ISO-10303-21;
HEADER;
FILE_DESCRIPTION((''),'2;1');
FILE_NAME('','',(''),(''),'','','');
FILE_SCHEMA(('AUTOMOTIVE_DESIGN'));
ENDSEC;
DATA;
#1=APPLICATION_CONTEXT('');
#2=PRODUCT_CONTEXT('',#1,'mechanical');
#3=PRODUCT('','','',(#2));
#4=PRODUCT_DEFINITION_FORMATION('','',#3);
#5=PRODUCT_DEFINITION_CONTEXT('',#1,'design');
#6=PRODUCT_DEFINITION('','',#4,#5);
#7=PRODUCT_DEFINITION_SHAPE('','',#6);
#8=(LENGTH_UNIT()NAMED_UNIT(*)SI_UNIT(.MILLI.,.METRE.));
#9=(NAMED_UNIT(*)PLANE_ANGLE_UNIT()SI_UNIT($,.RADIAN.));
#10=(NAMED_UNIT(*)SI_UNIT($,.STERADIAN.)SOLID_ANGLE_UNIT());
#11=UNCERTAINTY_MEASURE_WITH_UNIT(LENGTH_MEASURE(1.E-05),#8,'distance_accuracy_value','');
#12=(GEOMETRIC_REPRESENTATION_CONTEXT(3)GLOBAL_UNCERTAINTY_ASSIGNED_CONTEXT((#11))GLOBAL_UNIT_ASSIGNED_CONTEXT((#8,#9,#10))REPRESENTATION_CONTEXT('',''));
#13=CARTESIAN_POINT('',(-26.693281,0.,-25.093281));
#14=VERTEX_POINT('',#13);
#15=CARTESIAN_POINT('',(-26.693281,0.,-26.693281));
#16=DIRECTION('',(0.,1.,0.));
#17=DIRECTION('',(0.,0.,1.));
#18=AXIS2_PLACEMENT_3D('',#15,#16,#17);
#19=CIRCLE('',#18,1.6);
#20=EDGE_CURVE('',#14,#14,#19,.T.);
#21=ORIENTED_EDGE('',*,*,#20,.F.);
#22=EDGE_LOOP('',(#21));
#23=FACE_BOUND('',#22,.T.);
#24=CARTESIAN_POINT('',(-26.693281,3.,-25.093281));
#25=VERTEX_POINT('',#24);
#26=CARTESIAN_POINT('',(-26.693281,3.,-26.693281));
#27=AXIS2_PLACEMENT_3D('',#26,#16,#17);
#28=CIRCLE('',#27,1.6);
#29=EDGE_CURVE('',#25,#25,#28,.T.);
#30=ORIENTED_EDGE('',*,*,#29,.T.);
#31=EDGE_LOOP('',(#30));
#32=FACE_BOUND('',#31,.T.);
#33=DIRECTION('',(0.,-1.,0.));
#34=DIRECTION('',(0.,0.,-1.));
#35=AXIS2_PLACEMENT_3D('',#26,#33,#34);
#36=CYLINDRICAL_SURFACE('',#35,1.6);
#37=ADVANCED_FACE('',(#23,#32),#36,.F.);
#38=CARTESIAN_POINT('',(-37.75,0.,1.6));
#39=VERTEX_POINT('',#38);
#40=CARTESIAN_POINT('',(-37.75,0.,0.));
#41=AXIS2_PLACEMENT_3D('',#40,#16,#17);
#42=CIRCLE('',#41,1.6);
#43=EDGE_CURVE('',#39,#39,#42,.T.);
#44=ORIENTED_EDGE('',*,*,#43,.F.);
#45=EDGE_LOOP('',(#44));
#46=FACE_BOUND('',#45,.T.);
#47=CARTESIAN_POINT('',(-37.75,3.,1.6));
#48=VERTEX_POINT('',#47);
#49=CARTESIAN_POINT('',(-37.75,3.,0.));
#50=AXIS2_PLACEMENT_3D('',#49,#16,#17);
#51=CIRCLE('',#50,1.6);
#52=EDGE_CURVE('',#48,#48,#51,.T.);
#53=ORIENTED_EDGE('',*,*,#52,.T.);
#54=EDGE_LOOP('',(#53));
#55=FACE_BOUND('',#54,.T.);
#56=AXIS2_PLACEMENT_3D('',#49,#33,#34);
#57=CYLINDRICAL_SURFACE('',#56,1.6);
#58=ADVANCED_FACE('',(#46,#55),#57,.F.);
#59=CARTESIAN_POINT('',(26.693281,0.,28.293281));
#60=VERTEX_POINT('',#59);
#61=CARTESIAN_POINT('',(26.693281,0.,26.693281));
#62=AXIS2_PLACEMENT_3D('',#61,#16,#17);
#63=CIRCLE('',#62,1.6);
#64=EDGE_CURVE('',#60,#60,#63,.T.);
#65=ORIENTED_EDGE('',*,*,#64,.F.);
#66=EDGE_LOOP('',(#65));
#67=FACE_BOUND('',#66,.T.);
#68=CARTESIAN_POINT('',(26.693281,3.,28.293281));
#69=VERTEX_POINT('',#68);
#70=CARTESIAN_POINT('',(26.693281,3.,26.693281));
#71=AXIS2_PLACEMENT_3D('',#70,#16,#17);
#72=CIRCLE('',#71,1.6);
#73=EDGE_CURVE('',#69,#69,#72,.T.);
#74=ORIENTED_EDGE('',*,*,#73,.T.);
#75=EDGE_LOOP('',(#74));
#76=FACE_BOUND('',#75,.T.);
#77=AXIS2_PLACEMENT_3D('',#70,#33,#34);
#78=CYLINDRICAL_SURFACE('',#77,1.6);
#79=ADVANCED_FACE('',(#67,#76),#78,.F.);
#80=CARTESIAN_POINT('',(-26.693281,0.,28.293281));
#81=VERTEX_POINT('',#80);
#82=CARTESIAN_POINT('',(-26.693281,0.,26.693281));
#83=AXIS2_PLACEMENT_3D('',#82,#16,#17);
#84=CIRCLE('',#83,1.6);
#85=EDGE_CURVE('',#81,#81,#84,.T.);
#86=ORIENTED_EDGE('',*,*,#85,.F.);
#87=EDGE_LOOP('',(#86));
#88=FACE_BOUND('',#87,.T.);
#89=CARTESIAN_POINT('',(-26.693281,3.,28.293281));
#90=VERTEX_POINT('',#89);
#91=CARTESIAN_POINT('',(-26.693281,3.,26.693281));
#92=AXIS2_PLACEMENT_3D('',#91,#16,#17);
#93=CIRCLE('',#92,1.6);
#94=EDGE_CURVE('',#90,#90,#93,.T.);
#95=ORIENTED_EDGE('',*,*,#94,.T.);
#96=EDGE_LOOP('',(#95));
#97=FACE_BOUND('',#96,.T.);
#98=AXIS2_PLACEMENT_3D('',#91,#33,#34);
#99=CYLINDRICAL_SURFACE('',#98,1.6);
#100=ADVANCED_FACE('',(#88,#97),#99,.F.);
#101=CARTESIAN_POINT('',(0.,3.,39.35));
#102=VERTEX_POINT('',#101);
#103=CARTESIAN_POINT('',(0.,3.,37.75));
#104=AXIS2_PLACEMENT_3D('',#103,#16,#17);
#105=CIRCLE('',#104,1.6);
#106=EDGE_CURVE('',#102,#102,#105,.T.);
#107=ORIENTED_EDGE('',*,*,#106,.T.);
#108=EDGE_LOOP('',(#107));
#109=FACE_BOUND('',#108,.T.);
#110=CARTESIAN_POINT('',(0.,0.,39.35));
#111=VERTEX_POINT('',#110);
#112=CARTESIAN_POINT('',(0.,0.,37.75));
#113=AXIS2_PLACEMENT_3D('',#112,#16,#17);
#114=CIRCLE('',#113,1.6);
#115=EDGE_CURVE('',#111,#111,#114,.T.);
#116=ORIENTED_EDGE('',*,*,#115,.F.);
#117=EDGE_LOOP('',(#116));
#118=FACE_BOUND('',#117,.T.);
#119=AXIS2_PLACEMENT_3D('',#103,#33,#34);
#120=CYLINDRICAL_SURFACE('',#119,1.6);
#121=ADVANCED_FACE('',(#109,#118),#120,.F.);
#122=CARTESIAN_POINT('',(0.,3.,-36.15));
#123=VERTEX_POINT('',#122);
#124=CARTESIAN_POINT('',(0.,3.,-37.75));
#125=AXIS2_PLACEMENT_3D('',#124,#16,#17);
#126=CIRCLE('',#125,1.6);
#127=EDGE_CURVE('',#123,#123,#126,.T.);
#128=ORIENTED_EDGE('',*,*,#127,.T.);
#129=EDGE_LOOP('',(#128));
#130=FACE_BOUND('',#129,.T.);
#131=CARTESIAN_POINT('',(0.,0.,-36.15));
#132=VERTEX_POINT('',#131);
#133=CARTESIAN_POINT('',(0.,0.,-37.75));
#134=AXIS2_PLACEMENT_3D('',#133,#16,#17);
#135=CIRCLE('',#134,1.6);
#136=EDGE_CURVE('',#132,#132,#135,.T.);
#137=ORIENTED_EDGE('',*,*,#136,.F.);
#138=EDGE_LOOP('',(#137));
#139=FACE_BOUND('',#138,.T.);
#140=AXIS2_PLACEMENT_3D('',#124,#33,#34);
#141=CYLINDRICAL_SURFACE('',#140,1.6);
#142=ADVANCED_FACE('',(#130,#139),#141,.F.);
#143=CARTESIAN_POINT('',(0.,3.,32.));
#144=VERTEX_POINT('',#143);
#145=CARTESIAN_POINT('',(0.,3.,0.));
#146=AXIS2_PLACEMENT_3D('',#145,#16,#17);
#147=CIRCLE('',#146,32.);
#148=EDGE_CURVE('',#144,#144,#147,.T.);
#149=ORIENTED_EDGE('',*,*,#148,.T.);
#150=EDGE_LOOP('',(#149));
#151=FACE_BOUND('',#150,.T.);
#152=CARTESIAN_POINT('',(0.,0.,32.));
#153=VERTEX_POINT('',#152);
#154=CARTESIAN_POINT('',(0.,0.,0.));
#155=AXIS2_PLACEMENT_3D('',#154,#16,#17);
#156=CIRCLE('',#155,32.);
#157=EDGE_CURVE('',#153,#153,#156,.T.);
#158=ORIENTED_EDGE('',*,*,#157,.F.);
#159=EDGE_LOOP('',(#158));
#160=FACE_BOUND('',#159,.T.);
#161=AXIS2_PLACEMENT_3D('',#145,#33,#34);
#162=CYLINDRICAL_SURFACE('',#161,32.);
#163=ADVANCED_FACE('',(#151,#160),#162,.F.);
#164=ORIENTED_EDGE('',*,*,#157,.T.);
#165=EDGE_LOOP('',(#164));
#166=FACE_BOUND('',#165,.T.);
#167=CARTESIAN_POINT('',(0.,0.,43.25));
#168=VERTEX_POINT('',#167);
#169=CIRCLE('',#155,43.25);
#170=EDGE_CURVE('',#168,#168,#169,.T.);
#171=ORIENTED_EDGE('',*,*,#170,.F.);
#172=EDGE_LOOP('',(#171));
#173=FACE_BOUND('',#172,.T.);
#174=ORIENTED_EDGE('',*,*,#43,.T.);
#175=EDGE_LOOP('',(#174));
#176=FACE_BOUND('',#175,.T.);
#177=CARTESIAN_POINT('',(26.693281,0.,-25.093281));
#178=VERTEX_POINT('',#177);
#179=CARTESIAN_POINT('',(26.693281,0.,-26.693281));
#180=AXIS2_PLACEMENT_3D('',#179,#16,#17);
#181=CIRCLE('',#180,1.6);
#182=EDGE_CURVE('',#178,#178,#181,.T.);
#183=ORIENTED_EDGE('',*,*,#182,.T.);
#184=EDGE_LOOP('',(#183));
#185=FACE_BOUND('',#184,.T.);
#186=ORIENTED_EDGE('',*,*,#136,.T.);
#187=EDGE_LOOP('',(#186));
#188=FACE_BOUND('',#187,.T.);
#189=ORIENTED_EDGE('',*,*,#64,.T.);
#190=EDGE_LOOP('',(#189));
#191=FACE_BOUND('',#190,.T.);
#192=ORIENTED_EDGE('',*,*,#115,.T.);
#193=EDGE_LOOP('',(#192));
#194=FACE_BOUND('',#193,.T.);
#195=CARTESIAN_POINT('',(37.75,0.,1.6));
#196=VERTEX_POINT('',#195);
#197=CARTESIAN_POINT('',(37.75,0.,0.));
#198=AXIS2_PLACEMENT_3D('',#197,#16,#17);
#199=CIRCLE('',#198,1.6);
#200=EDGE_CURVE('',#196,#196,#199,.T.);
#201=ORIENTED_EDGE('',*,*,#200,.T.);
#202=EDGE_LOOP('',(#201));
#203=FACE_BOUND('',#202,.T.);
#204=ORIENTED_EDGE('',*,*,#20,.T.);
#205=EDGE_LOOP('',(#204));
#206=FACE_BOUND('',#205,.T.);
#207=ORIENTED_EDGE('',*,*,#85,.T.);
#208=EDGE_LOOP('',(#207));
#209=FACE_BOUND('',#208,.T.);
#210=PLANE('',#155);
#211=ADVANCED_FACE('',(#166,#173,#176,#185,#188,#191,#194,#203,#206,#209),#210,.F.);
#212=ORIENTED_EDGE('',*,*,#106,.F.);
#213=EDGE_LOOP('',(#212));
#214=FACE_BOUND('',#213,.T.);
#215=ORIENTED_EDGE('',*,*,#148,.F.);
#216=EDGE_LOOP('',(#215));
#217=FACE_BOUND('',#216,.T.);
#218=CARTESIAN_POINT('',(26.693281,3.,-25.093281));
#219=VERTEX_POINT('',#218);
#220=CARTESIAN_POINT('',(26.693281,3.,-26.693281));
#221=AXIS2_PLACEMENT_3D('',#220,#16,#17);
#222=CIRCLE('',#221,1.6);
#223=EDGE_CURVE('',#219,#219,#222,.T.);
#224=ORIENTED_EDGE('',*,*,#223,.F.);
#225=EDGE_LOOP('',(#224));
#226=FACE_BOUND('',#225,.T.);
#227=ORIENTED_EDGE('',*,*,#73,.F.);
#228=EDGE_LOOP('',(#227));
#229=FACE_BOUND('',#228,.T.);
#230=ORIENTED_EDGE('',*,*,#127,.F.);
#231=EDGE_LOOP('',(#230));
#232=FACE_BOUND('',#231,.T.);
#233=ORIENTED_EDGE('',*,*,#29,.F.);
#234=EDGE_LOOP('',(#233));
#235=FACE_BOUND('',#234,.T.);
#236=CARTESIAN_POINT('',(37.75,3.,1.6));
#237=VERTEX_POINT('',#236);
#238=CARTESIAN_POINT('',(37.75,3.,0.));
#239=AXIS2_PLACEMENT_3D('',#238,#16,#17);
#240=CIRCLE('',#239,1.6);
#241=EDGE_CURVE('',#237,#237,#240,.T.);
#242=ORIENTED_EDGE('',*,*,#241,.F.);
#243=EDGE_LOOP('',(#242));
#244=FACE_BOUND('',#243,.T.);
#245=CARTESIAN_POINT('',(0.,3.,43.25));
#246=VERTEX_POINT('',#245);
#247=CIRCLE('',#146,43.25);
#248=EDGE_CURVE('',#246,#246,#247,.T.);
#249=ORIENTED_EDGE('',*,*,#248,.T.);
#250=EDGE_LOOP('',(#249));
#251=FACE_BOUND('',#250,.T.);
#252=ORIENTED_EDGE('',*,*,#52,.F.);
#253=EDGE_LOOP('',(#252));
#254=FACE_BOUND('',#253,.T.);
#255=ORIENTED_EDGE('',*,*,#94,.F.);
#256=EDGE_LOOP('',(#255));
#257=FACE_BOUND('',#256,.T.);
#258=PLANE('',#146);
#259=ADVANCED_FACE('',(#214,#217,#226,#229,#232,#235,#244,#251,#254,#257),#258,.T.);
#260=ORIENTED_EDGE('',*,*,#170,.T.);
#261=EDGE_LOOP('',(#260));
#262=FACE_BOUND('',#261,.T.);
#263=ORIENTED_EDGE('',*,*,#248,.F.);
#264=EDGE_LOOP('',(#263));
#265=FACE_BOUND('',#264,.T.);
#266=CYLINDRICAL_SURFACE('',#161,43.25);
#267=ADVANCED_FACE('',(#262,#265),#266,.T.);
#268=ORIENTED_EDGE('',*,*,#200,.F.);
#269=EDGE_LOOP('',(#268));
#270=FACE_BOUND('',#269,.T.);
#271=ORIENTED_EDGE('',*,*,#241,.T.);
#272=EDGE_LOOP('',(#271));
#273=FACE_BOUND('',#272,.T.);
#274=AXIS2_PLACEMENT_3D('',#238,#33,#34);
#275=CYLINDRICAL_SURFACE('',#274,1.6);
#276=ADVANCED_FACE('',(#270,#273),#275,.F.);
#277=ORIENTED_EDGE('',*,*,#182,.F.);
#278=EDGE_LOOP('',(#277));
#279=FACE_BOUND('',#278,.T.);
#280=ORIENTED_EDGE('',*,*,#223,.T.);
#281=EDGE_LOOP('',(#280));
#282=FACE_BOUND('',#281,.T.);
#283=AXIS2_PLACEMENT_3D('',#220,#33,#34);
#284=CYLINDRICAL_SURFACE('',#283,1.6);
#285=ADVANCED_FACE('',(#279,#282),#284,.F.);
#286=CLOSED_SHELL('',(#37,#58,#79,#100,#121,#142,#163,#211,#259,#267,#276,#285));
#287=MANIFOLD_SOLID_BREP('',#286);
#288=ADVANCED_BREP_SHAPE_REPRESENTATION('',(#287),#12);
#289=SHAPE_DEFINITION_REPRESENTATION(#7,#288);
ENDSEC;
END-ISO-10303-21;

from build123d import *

# Parameters (mm, degrees)
SKETCH1_R           = 43.25
SKETCH1_R_2         = 32
SKETCH1_R_3         = 1.6
BOSS_EXTRUDE1_DEPTH = 3


with BuildPart() as part:
    # Sketch1 → Boss-Extrude1 (new body)
    with BuildSketch(Plane(origin=(0, 0, 0), x_dir=(1, 0, 0), z_dir=(0, 1, 0))):
        with Locations(Location((0, 0, 0), (0, 0, 270))):
            Circle(SKETCH1_R)
        with Locations(Location((0, 0, 0), (0, 0, 270))):
            Circle(SKETCH1_R_2, mode=Mode.SUBTRACT)
        with Locations(Location((0, 37.75, 0), (0, 0, 270))):
            Circle(SKETCH1_R_3, mode=Mode.SUBTRACT)
        with Locations(Location((26.69328099, 26.69328099, 0), (0, 0, 270))):
            Circle(SKETCH1_R_3, mode=Mode.SUBTRACT)
        with Locations(Location((37.75, 0, 0), (0, 0, 270))):
            Circle(SKETCH1_R_3, mode=Mode.SUBTRACT)
        with Locations(Location((26.69328099, -26.69328099, 0), (0, 0, 270))):
            Circle(SKETCH1_R_3, mode=Mode.SUBTRACT)
        with Locations(Location((0, -37.75, 0), (0, 0, 270))):
            Circle(SKETCH1_R_3, mode=Mode.SUBTRACT)
        with Locations(Location((-26.69328099, -26.69328099, 0), (0, 0, 270))):
            Circle(SKETCH1_R_3, mode=Mode.SUBTRACT)
        with Locations(Location((-37.75, 0, 0), (0, 0, 270))):
            Circle(SKETCH1_R_3, mode=Mode.SUBTRACT)
        with Locations(Location((-26.69328099, 26.69328099, 0), (0, 0, 270))):
            Circle(SKETCH1_R_3, mode=Mode.SUBTRACT)
    extrude(amount=BOSS_EXTRUDE1_DEPTH)


solid = part.part
